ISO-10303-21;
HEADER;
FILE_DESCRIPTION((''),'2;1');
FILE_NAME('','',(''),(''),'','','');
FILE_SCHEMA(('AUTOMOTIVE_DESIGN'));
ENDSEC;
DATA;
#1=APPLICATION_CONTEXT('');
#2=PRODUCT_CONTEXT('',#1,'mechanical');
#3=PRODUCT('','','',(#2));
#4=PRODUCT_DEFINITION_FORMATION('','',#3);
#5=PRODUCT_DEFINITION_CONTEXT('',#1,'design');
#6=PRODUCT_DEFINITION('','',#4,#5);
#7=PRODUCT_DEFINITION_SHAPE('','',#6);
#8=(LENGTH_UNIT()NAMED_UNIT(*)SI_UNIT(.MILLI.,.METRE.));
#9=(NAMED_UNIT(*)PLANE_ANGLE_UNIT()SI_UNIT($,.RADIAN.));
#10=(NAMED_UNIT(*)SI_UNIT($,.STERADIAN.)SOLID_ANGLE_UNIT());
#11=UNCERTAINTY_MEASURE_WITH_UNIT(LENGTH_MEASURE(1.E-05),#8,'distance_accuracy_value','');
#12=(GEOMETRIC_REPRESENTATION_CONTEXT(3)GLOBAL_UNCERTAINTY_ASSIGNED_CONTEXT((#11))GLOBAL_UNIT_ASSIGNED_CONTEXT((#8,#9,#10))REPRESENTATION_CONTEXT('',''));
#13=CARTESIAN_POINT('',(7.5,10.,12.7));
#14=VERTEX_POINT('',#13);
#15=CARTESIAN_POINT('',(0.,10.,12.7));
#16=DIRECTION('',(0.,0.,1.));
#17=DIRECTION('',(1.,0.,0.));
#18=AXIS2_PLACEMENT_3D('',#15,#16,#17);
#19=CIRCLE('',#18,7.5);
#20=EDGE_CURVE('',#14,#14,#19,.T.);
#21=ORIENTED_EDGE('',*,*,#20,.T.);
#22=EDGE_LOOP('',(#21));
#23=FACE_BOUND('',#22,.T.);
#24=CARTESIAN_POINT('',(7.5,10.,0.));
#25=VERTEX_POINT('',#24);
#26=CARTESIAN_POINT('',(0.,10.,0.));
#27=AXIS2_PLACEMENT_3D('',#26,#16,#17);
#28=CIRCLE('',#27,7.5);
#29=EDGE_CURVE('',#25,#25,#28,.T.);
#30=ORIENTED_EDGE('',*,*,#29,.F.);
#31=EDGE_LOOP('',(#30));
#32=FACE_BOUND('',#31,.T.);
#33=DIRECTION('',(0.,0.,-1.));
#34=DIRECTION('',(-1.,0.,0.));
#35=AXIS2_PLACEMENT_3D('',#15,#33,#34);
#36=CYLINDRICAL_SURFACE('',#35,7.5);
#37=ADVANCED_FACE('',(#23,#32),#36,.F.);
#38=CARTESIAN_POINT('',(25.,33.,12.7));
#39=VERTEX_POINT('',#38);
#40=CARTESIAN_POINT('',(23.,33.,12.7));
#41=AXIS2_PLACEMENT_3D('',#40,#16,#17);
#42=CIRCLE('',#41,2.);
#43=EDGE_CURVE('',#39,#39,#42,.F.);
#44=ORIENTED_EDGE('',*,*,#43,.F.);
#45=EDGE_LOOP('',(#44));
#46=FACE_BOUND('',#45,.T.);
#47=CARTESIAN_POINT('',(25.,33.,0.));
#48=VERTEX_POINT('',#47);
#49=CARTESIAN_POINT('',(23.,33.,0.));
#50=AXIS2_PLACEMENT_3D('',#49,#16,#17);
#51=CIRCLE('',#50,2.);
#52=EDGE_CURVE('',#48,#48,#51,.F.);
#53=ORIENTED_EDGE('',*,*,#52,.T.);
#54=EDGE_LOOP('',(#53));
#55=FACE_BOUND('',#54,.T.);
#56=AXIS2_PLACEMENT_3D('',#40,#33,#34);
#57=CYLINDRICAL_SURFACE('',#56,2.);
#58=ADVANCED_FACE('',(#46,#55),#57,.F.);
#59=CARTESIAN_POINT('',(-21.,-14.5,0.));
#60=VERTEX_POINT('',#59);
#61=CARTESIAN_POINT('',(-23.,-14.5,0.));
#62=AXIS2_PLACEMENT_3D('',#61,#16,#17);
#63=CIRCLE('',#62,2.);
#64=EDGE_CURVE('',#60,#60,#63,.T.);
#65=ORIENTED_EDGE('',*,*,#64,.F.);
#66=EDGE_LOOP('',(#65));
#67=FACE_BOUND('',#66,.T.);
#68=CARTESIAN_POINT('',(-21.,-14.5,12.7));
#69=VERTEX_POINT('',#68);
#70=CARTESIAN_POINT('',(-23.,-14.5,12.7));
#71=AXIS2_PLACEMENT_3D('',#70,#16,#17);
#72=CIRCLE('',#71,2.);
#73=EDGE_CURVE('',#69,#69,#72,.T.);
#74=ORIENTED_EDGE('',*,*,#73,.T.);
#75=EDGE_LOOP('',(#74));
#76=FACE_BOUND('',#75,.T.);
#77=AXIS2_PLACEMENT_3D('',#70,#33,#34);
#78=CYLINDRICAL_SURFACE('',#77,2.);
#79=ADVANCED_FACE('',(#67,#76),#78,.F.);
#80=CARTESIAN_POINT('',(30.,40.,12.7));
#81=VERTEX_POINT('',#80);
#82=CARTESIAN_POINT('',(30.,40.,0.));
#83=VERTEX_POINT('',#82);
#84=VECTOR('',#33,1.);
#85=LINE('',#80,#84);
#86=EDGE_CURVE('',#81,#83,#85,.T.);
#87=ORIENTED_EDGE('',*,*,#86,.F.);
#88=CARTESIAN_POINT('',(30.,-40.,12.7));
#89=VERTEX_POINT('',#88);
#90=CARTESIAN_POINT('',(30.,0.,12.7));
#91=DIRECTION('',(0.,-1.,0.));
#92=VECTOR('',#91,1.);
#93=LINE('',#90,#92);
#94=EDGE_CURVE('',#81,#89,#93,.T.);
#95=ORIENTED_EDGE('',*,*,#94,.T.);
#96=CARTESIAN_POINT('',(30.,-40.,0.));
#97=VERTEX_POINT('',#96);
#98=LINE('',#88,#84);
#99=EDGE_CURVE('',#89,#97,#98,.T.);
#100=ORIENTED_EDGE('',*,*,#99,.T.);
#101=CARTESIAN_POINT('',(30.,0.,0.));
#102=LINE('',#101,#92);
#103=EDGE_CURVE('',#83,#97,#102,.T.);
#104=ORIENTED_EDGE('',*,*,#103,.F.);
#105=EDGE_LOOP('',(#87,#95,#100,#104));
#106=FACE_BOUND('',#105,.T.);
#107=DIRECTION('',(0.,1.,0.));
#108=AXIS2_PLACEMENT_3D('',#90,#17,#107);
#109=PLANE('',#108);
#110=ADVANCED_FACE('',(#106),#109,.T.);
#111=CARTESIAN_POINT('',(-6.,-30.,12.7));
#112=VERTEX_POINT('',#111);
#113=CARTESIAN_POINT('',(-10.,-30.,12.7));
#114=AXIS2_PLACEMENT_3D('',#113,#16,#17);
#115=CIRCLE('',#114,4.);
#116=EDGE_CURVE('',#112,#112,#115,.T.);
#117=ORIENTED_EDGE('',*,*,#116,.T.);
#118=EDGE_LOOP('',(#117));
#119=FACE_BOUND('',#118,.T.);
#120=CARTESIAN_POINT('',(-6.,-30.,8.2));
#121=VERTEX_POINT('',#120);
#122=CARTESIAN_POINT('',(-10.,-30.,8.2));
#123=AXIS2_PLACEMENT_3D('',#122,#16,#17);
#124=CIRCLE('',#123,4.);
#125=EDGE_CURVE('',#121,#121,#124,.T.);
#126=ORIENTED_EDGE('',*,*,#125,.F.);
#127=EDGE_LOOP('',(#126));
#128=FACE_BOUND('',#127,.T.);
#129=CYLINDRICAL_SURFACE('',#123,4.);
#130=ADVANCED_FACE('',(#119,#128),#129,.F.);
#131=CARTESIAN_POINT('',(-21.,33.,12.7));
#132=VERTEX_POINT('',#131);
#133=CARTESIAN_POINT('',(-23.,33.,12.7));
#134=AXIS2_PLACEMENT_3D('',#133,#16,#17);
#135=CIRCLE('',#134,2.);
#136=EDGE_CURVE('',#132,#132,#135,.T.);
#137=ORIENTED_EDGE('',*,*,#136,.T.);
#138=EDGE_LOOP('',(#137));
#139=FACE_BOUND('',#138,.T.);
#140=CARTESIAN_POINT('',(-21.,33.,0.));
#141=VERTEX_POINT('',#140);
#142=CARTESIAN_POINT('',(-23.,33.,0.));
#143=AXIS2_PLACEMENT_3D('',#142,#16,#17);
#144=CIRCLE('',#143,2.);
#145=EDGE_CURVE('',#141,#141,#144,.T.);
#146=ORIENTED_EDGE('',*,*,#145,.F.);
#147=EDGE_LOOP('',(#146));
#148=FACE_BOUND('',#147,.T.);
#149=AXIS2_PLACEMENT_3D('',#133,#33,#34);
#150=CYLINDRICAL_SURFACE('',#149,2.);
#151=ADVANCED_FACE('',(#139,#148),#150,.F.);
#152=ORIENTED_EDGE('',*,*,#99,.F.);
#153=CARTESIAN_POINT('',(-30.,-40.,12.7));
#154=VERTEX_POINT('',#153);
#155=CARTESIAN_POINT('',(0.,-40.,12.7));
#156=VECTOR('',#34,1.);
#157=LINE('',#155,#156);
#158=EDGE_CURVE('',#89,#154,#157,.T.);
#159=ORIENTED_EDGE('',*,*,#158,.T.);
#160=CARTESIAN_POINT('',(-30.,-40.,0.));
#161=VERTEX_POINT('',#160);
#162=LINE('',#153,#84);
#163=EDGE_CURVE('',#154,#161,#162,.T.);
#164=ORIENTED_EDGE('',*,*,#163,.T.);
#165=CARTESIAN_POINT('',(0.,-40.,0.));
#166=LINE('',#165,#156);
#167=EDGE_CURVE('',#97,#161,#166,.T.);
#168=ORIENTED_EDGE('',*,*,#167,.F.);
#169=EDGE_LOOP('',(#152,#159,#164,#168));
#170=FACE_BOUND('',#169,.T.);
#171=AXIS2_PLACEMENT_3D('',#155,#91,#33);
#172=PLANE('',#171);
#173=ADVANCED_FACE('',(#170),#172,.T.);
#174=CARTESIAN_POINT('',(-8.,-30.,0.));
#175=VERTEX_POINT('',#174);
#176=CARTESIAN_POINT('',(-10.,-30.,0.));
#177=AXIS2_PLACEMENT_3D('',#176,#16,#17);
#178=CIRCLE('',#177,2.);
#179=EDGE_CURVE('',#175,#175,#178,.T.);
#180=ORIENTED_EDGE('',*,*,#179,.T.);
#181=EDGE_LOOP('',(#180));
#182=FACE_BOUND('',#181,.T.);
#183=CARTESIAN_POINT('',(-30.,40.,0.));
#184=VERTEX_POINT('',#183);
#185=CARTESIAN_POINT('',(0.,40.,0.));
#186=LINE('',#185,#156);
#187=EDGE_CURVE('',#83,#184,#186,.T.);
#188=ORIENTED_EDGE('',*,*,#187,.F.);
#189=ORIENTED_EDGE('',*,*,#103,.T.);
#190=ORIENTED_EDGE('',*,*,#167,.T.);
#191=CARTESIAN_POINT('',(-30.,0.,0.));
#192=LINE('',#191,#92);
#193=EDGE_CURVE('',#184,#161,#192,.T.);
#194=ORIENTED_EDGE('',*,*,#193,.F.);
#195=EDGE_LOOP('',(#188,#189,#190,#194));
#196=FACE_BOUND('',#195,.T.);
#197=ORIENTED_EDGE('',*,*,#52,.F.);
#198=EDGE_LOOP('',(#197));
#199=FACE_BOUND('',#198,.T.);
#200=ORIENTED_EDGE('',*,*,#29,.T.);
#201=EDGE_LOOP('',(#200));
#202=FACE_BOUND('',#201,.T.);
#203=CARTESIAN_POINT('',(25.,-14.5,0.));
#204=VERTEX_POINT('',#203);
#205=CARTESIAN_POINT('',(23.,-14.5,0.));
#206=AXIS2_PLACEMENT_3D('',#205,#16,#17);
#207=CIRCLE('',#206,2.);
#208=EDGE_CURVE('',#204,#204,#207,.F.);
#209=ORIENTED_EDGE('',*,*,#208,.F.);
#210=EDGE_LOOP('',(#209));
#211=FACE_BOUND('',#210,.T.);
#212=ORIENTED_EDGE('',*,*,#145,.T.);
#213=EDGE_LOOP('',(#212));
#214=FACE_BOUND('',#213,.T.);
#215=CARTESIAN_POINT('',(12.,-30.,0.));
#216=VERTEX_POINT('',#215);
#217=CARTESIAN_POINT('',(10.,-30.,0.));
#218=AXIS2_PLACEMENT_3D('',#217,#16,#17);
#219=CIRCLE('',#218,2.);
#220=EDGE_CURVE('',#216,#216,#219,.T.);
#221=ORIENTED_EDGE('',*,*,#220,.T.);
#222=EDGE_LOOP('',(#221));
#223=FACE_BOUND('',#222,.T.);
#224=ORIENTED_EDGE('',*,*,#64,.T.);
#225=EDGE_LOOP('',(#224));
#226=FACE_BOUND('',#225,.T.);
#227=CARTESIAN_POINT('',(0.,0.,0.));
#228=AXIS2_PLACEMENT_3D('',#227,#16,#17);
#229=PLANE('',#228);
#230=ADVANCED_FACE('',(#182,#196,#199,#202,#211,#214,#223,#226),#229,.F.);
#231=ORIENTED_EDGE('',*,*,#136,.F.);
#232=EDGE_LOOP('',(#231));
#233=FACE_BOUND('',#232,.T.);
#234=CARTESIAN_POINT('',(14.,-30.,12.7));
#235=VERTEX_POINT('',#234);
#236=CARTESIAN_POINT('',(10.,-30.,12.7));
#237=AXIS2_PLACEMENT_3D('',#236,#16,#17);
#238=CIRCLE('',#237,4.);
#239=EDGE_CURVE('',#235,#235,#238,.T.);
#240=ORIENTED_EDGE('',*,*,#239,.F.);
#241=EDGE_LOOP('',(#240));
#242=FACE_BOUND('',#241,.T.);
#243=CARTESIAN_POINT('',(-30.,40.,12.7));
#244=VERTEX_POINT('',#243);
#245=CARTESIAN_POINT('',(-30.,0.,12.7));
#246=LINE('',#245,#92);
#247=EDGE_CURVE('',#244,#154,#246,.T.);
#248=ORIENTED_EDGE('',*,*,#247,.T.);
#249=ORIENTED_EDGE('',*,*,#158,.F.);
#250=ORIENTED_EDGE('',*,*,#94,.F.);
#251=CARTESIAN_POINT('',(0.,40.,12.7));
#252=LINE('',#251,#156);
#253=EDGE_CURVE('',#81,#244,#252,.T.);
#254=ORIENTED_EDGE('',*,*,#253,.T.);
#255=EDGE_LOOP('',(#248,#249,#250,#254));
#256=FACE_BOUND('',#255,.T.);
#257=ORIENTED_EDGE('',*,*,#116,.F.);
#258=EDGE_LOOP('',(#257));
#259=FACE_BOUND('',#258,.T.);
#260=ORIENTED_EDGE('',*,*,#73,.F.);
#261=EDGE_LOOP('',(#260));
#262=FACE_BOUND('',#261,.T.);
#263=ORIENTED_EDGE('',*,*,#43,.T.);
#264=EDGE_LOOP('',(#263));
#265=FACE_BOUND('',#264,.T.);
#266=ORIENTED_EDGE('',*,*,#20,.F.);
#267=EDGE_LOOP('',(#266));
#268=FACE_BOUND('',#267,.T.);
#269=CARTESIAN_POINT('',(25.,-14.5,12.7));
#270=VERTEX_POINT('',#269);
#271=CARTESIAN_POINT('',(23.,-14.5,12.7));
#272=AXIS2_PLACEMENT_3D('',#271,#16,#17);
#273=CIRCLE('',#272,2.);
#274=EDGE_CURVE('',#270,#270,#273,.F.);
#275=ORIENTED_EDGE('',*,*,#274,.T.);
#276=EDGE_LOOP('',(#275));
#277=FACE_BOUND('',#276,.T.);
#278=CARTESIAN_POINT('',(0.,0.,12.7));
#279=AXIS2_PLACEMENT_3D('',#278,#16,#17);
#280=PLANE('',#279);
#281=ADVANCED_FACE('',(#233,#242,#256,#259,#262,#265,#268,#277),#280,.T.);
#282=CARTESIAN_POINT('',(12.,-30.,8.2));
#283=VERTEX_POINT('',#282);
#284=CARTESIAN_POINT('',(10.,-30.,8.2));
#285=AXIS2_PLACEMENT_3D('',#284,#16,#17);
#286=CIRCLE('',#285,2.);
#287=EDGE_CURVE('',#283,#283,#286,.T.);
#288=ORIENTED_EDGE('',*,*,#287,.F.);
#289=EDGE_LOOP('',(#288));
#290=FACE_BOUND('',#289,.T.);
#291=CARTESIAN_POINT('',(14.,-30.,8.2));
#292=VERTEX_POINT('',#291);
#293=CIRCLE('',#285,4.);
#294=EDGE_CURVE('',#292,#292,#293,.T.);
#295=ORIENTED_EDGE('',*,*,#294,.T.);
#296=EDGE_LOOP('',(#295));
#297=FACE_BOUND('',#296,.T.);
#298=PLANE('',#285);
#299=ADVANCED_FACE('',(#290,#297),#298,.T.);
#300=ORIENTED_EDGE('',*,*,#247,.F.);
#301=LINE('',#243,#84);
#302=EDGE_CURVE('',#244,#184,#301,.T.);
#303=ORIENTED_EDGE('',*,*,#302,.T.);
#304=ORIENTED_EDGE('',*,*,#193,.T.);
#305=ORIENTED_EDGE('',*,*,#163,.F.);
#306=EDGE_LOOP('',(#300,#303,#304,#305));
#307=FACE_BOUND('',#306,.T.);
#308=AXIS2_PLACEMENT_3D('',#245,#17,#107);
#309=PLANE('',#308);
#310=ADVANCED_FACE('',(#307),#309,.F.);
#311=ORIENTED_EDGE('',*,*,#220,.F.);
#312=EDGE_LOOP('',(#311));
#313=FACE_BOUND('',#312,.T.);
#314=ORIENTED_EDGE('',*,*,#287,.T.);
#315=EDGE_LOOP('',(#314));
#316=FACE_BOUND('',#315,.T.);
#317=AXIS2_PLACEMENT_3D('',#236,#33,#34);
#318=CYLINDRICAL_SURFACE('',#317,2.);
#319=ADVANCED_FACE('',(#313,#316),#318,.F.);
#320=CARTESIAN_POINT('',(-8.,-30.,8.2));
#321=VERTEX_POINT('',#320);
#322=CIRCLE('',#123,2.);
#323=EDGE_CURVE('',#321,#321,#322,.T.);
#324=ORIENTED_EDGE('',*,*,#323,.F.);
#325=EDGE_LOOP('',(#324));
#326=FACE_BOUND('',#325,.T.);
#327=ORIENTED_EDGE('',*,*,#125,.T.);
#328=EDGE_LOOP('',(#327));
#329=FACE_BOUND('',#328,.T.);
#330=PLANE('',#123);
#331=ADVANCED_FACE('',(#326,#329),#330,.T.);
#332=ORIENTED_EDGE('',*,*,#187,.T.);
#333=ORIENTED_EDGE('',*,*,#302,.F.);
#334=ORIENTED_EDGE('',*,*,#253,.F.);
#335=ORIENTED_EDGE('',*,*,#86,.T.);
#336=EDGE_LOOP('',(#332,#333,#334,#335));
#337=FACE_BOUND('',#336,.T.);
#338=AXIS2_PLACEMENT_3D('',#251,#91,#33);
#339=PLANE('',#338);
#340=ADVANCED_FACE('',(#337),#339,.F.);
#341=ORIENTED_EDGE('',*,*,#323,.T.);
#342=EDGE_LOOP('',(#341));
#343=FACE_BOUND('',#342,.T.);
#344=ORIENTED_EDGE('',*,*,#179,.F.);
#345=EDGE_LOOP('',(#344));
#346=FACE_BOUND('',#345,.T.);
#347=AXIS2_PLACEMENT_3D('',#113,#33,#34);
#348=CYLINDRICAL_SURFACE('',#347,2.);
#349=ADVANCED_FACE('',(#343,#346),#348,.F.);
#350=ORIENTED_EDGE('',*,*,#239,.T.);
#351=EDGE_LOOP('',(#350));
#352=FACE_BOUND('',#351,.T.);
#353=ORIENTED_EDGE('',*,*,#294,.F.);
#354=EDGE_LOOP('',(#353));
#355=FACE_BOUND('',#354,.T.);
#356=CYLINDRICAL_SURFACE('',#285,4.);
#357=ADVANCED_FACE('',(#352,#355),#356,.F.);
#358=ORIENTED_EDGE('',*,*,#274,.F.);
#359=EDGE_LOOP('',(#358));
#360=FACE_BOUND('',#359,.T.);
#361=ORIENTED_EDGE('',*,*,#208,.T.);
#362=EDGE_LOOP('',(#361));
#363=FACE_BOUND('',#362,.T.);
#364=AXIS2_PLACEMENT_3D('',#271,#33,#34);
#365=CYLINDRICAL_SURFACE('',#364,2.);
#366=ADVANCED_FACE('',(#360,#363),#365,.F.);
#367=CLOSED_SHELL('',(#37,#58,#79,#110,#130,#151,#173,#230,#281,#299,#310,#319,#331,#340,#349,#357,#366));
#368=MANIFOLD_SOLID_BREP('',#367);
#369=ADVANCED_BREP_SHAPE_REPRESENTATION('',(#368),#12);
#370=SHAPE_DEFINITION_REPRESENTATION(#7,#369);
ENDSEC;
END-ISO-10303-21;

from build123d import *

# Parameters (mm, degrees)
CROQUIS1_W              = 51
CROQUIS1_H              = 80
CROQUIS1_R              = 2
CROQUIS1_R_2            = 7.5
SALIENTE_EXTRUIR1_DEPTH = 12.7
CROQUIS2_R              = 4
CORTAR_EXTRUIR1_DEPTH   = 4.5


with BuildPart() as part:
    # Croquis1 → Saliente-Extruir1 (new body)
    # profile 1 of 5: a face of its own
    with BuildSketch(Plane.XY):
        with BuildLine():
            ThreePointArc((-28.5, 37), (-27.621320344, 39.121320344), (-25.5, 40))
            Line((-25.5, 40), (-30, 40))
            Line((-30, 40), (-30, -40))
            Line((-30, -40), (-28.5, -40))
            Line((-28.5, -40), (-28.5, 37))
        make_face()
    # profile 2 of 5: a face of its own
    with BuildSketch(Plane.XY):
        with BuildLine():
            Line((-25.5, -40), (-25.5, 40))
            ThreePointArc((-25.5, 40), (-27.621320344, 39.121320344), (-28.5, 37))
            Line((-28.5, 37), (-28.5, -40))
            Line((-28.5, -40), (-25.5, -40))
        make_face()
    # profile 3 of 5: a face of its own
    with BuildSketch(Plane.XY):
        Rectangle(CROQUIS1_W, CROQUIS1_H)
        with Locations((-10, -30)):
            Circle(CROQUIS1_R, mode=Mode.SUBTRACT)
        with Locations((-23, -14.5)):
            Circle(CROQUIS1_R, mode=Mode.SUBTRACT)
        with Locations((10, -30)):
            Circle(CROQUIS1_R, mode=Mode.SUBTRACT)
        with Locations((23, -14.5)):
            Circle(CROQUIS1_R, mode=Mode.SUBTRACT)
        with Locations((-23, 33)):
            Circle(CROQUIS1_R, mode=Mode.SUBTRACT)
        with Locations((0, 10)):
            Circle(CROQUIS1_R_2, mode=Mode.SUBTRACT)
        with Locations((23, 33)):
            Circle(CROQUIS1_R, mode=Mode.SUBTRACT)
    # profile 4 of 5: a face of its own
    with BuildSketch(Plane.XY):
        with BuildLine():
            ThreePointArc((28.5, 37), (27.621320344, 39.121320344), (25.5, 40))
            Line((25.5, 40), (25.5, -40))
            Line((25.5, -40), (28.5, -40))
            Line((28.5, -40), (28.5, 37))
        make_face()
    # profile 5 of 5: a face of its own
    with BuildSketch(Plane.XY):
        with BuildLine():
            Line((30, 40), (25.5, 40))
            ThreePointArc((25.5, 40), (27.621320344, 39.121320344), (28.5, 37))
            Line((28.5, 37), (28.5, -40))
            Line((28.5, -40), (30, -40))
            Line((30, -40), (30, 40))
        make_face()
    extrude(amount=SALIENTE_EXTRUIR1_DEPTH)

    # Croquis2 → Cortar-Extruir1 (cut)
    with BuildSketch(Plane.XY.offset(12.7)):
        with Locations((-10, -30)):
            Circle(CROQUIS2_R)
        with Locations((10, -30)):
            Circle(CROQUIS2_R)
    extrude(amount=-CORTAR_EXTRUIR1_DEPTH, mode=Mode.SUBTRACT)


solid = part.part
